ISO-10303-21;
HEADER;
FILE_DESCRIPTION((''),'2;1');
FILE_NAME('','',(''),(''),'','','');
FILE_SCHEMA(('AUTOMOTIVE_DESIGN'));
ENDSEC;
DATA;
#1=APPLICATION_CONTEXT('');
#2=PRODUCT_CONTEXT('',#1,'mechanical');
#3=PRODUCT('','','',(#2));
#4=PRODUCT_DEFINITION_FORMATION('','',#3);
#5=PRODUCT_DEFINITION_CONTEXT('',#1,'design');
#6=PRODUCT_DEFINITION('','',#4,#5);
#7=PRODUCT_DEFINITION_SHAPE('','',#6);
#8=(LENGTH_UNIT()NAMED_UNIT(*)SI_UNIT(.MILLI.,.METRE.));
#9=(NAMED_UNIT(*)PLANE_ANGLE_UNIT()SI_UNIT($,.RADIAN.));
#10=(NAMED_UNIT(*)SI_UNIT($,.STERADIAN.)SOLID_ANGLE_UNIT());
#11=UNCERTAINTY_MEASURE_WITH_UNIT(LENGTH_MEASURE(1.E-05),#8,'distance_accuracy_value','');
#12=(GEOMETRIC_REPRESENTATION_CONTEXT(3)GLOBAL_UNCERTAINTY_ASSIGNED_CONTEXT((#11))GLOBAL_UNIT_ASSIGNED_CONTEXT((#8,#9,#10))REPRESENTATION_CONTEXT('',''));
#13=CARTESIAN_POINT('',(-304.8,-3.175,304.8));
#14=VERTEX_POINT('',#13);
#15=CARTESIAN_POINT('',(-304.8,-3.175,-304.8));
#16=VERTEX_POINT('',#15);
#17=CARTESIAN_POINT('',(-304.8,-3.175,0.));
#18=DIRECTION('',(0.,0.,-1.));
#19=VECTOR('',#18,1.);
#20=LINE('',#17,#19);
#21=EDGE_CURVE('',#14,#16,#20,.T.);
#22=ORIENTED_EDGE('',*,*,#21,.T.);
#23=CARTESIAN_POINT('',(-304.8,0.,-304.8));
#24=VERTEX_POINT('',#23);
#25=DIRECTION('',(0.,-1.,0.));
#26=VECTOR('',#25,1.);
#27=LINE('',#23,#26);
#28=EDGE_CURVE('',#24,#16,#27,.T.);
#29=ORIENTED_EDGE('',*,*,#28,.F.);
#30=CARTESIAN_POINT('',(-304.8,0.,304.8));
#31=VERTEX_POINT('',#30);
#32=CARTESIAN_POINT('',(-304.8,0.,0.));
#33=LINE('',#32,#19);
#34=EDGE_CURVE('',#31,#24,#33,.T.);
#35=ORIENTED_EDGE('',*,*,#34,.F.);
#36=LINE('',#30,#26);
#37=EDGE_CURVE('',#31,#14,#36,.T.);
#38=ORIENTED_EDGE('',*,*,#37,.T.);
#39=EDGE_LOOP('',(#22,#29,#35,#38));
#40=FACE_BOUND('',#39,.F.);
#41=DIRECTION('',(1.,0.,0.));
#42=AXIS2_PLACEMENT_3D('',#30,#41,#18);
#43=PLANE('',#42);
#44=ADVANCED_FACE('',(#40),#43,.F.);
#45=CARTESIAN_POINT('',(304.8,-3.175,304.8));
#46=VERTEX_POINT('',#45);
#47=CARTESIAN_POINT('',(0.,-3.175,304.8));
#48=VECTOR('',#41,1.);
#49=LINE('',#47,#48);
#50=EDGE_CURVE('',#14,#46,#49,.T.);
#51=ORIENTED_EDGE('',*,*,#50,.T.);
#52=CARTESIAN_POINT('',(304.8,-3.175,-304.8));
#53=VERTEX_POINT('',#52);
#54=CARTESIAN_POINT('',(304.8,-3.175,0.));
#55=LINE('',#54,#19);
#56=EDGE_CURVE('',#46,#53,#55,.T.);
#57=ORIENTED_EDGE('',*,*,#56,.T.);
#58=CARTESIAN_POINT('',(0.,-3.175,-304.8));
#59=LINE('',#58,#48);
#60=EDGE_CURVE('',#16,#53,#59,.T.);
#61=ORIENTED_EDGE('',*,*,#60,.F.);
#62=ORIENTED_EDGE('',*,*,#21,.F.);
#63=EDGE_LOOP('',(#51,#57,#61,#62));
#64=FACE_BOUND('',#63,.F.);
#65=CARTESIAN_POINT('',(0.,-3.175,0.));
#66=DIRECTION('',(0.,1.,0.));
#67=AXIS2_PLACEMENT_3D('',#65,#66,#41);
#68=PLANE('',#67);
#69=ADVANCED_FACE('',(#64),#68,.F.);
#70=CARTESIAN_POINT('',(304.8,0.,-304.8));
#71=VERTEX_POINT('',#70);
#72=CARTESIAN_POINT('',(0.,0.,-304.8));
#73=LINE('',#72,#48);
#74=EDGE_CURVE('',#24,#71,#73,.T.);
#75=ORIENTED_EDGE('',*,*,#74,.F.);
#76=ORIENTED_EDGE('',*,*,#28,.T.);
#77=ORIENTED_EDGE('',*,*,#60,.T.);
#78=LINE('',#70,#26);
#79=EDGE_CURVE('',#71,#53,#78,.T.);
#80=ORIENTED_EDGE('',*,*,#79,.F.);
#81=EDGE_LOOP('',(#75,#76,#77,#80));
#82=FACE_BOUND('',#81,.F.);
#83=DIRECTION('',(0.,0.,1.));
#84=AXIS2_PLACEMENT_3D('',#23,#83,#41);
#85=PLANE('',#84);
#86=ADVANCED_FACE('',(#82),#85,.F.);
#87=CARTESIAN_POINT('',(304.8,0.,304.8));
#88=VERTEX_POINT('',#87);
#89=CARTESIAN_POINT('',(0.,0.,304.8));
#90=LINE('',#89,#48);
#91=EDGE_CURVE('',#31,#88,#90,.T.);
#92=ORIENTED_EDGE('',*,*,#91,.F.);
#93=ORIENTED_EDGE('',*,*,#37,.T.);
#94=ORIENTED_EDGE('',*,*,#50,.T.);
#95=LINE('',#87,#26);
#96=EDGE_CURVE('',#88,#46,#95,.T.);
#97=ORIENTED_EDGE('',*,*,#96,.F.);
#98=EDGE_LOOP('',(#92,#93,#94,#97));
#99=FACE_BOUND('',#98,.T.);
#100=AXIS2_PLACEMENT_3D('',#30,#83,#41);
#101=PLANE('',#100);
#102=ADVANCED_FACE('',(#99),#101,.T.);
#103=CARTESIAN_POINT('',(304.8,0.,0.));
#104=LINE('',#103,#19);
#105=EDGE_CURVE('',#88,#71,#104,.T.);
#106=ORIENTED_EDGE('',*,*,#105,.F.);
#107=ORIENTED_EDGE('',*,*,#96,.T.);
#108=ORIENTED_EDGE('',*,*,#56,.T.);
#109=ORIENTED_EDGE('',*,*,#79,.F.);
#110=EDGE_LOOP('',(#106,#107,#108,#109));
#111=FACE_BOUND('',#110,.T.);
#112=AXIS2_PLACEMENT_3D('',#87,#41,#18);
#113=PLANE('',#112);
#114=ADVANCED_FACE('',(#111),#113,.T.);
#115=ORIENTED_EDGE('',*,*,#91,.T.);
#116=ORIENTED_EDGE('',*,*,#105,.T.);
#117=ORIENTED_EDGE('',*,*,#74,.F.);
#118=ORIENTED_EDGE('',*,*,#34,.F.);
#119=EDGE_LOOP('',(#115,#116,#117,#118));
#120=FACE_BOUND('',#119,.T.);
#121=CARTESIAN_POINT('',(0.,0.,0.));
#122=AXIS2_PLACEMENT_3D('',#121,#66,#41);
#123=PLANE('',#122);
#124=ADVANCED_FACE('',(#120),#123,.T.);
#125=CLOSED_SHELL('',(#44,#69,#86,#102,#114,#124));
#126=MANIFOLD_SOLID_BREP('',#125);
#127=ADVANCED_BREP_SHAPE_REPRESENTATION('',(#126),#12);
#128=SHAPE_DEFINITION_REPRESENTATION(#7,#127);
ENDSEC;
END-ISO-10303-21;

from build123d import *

# Parameters (mm, degrees)
SKETCH1_W      = 609.6
SKETCH1_H      = 609.6
EXTRUDE1_DEPTH = 3.175


with BuildPart() as part:
    # Sketch1 → Extrude1 (new body)
    with BuildSketch(Plane(origin=(0, 0, 0), x_dir=(1, 0, 0), z_dir=(0, 1, 0))):
        Rectangle(SKETCH1_W, SKETCH1_H)
    extrude(amount=-EXTRUDE1_DEPTH)


solid = part.part
